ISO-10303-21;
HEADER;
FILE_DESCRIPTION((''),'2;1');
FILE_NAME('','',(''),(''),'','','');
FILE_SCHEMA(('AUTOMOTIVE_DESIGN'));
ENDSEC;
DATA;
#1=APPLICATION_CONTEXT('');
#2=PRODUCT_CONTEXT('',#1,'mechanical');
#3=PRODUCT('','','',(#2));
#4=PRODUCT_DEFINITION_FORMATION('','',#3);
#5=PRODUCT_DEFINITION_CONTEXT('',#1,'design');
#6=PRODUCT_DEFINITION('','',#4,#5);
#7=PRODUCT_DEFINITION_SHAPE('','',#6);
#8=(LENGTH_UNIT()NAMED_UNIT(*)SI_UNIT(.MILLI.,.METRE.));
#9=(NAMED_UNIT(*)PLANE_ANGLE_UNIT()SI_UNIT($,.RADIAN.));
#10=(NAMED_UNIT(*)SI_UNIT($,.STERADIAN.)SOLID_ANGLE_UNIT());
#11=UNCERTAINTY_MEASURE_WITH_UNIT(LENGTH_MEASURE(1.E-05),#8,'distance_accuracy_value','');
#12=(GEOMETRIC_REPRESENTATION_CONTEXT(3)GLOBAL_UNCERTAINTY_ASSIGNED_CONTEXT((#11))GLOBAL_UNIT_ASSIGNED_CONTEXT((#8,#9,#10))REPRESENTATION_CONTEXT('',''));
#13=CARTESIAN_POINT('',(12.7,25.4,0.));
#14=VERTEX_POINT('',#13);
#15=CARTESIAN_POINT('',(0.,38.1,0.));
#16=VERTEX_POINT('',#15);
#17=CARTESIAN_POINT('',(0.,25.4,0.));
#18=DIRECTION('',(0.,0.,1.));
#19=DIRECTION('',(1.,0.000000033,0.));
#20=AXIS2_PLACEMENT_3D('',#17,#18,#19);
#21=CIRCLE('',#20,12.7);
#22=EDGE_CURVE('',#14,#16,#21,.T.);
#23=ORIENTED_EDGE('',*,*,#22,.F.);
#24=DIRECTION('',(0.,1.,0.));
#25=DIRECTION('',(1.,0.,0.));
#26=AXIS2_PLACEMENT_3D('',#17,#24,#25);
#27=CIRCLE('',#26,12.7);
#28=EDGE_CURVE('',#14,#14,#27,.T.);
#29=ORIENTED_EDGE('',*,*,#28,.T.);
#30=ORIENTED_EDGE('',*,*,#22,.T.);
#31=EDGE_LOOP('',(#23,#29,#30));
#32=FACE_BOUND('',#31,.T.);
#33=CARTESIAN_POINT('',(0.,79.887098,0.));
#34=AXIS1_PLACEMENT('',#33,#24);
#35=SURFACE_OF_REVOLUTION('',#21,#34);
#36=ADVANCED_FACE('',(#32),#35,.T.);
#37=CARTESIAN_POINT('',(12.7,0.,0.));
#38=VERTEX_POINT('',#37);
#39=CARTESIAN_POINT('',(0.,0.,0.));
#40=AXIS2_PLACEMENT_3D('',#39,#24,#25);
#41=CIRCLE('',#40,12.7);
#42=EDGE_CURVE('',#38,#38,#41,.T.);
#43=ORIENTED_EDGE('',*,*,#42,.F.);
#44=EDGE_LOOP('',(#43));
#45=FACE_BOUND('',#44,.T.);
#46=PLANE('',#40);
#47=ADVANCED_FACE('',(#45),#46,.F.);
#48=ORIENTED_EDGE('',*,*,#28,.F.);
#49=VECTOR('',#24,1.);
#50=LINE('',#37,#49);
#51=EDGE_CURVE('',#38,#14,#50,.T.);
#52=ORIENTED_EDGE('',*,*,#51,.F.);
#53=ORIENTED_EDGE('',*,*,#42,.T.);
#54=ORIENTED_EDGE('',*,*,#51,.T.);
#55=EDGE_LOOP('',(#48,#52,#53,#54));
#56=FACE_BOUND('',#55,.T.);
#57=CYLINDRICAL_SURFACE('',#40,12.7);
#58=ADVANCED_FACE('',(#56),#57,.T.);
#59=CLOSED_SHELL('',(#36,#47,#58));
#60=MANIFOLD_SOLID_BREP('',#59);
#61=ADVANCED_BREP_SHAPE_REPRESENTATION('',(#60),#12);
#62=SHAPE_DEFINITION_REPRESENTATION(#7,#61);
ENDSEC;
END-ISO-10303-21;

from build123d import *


with BuildPart() as f1:
    # F0 (on Top) → F1 (revolve)
    with BuildSketch(Plane.XY):
        with BuildLine():
            Line((0, 38.1), (0, 0))
            Line((0, 0), (12.7, 0))
            Line((12.7, 0), (12.7, 25.4))
            ThreePointArc((12.7, 25.4), (8.980256, 34.380256), (0, 38.1))
        make_face()
    revolve(axis=Axis((0, 79.887098, 0), (0, 1, 0)))


solid = f1.part
